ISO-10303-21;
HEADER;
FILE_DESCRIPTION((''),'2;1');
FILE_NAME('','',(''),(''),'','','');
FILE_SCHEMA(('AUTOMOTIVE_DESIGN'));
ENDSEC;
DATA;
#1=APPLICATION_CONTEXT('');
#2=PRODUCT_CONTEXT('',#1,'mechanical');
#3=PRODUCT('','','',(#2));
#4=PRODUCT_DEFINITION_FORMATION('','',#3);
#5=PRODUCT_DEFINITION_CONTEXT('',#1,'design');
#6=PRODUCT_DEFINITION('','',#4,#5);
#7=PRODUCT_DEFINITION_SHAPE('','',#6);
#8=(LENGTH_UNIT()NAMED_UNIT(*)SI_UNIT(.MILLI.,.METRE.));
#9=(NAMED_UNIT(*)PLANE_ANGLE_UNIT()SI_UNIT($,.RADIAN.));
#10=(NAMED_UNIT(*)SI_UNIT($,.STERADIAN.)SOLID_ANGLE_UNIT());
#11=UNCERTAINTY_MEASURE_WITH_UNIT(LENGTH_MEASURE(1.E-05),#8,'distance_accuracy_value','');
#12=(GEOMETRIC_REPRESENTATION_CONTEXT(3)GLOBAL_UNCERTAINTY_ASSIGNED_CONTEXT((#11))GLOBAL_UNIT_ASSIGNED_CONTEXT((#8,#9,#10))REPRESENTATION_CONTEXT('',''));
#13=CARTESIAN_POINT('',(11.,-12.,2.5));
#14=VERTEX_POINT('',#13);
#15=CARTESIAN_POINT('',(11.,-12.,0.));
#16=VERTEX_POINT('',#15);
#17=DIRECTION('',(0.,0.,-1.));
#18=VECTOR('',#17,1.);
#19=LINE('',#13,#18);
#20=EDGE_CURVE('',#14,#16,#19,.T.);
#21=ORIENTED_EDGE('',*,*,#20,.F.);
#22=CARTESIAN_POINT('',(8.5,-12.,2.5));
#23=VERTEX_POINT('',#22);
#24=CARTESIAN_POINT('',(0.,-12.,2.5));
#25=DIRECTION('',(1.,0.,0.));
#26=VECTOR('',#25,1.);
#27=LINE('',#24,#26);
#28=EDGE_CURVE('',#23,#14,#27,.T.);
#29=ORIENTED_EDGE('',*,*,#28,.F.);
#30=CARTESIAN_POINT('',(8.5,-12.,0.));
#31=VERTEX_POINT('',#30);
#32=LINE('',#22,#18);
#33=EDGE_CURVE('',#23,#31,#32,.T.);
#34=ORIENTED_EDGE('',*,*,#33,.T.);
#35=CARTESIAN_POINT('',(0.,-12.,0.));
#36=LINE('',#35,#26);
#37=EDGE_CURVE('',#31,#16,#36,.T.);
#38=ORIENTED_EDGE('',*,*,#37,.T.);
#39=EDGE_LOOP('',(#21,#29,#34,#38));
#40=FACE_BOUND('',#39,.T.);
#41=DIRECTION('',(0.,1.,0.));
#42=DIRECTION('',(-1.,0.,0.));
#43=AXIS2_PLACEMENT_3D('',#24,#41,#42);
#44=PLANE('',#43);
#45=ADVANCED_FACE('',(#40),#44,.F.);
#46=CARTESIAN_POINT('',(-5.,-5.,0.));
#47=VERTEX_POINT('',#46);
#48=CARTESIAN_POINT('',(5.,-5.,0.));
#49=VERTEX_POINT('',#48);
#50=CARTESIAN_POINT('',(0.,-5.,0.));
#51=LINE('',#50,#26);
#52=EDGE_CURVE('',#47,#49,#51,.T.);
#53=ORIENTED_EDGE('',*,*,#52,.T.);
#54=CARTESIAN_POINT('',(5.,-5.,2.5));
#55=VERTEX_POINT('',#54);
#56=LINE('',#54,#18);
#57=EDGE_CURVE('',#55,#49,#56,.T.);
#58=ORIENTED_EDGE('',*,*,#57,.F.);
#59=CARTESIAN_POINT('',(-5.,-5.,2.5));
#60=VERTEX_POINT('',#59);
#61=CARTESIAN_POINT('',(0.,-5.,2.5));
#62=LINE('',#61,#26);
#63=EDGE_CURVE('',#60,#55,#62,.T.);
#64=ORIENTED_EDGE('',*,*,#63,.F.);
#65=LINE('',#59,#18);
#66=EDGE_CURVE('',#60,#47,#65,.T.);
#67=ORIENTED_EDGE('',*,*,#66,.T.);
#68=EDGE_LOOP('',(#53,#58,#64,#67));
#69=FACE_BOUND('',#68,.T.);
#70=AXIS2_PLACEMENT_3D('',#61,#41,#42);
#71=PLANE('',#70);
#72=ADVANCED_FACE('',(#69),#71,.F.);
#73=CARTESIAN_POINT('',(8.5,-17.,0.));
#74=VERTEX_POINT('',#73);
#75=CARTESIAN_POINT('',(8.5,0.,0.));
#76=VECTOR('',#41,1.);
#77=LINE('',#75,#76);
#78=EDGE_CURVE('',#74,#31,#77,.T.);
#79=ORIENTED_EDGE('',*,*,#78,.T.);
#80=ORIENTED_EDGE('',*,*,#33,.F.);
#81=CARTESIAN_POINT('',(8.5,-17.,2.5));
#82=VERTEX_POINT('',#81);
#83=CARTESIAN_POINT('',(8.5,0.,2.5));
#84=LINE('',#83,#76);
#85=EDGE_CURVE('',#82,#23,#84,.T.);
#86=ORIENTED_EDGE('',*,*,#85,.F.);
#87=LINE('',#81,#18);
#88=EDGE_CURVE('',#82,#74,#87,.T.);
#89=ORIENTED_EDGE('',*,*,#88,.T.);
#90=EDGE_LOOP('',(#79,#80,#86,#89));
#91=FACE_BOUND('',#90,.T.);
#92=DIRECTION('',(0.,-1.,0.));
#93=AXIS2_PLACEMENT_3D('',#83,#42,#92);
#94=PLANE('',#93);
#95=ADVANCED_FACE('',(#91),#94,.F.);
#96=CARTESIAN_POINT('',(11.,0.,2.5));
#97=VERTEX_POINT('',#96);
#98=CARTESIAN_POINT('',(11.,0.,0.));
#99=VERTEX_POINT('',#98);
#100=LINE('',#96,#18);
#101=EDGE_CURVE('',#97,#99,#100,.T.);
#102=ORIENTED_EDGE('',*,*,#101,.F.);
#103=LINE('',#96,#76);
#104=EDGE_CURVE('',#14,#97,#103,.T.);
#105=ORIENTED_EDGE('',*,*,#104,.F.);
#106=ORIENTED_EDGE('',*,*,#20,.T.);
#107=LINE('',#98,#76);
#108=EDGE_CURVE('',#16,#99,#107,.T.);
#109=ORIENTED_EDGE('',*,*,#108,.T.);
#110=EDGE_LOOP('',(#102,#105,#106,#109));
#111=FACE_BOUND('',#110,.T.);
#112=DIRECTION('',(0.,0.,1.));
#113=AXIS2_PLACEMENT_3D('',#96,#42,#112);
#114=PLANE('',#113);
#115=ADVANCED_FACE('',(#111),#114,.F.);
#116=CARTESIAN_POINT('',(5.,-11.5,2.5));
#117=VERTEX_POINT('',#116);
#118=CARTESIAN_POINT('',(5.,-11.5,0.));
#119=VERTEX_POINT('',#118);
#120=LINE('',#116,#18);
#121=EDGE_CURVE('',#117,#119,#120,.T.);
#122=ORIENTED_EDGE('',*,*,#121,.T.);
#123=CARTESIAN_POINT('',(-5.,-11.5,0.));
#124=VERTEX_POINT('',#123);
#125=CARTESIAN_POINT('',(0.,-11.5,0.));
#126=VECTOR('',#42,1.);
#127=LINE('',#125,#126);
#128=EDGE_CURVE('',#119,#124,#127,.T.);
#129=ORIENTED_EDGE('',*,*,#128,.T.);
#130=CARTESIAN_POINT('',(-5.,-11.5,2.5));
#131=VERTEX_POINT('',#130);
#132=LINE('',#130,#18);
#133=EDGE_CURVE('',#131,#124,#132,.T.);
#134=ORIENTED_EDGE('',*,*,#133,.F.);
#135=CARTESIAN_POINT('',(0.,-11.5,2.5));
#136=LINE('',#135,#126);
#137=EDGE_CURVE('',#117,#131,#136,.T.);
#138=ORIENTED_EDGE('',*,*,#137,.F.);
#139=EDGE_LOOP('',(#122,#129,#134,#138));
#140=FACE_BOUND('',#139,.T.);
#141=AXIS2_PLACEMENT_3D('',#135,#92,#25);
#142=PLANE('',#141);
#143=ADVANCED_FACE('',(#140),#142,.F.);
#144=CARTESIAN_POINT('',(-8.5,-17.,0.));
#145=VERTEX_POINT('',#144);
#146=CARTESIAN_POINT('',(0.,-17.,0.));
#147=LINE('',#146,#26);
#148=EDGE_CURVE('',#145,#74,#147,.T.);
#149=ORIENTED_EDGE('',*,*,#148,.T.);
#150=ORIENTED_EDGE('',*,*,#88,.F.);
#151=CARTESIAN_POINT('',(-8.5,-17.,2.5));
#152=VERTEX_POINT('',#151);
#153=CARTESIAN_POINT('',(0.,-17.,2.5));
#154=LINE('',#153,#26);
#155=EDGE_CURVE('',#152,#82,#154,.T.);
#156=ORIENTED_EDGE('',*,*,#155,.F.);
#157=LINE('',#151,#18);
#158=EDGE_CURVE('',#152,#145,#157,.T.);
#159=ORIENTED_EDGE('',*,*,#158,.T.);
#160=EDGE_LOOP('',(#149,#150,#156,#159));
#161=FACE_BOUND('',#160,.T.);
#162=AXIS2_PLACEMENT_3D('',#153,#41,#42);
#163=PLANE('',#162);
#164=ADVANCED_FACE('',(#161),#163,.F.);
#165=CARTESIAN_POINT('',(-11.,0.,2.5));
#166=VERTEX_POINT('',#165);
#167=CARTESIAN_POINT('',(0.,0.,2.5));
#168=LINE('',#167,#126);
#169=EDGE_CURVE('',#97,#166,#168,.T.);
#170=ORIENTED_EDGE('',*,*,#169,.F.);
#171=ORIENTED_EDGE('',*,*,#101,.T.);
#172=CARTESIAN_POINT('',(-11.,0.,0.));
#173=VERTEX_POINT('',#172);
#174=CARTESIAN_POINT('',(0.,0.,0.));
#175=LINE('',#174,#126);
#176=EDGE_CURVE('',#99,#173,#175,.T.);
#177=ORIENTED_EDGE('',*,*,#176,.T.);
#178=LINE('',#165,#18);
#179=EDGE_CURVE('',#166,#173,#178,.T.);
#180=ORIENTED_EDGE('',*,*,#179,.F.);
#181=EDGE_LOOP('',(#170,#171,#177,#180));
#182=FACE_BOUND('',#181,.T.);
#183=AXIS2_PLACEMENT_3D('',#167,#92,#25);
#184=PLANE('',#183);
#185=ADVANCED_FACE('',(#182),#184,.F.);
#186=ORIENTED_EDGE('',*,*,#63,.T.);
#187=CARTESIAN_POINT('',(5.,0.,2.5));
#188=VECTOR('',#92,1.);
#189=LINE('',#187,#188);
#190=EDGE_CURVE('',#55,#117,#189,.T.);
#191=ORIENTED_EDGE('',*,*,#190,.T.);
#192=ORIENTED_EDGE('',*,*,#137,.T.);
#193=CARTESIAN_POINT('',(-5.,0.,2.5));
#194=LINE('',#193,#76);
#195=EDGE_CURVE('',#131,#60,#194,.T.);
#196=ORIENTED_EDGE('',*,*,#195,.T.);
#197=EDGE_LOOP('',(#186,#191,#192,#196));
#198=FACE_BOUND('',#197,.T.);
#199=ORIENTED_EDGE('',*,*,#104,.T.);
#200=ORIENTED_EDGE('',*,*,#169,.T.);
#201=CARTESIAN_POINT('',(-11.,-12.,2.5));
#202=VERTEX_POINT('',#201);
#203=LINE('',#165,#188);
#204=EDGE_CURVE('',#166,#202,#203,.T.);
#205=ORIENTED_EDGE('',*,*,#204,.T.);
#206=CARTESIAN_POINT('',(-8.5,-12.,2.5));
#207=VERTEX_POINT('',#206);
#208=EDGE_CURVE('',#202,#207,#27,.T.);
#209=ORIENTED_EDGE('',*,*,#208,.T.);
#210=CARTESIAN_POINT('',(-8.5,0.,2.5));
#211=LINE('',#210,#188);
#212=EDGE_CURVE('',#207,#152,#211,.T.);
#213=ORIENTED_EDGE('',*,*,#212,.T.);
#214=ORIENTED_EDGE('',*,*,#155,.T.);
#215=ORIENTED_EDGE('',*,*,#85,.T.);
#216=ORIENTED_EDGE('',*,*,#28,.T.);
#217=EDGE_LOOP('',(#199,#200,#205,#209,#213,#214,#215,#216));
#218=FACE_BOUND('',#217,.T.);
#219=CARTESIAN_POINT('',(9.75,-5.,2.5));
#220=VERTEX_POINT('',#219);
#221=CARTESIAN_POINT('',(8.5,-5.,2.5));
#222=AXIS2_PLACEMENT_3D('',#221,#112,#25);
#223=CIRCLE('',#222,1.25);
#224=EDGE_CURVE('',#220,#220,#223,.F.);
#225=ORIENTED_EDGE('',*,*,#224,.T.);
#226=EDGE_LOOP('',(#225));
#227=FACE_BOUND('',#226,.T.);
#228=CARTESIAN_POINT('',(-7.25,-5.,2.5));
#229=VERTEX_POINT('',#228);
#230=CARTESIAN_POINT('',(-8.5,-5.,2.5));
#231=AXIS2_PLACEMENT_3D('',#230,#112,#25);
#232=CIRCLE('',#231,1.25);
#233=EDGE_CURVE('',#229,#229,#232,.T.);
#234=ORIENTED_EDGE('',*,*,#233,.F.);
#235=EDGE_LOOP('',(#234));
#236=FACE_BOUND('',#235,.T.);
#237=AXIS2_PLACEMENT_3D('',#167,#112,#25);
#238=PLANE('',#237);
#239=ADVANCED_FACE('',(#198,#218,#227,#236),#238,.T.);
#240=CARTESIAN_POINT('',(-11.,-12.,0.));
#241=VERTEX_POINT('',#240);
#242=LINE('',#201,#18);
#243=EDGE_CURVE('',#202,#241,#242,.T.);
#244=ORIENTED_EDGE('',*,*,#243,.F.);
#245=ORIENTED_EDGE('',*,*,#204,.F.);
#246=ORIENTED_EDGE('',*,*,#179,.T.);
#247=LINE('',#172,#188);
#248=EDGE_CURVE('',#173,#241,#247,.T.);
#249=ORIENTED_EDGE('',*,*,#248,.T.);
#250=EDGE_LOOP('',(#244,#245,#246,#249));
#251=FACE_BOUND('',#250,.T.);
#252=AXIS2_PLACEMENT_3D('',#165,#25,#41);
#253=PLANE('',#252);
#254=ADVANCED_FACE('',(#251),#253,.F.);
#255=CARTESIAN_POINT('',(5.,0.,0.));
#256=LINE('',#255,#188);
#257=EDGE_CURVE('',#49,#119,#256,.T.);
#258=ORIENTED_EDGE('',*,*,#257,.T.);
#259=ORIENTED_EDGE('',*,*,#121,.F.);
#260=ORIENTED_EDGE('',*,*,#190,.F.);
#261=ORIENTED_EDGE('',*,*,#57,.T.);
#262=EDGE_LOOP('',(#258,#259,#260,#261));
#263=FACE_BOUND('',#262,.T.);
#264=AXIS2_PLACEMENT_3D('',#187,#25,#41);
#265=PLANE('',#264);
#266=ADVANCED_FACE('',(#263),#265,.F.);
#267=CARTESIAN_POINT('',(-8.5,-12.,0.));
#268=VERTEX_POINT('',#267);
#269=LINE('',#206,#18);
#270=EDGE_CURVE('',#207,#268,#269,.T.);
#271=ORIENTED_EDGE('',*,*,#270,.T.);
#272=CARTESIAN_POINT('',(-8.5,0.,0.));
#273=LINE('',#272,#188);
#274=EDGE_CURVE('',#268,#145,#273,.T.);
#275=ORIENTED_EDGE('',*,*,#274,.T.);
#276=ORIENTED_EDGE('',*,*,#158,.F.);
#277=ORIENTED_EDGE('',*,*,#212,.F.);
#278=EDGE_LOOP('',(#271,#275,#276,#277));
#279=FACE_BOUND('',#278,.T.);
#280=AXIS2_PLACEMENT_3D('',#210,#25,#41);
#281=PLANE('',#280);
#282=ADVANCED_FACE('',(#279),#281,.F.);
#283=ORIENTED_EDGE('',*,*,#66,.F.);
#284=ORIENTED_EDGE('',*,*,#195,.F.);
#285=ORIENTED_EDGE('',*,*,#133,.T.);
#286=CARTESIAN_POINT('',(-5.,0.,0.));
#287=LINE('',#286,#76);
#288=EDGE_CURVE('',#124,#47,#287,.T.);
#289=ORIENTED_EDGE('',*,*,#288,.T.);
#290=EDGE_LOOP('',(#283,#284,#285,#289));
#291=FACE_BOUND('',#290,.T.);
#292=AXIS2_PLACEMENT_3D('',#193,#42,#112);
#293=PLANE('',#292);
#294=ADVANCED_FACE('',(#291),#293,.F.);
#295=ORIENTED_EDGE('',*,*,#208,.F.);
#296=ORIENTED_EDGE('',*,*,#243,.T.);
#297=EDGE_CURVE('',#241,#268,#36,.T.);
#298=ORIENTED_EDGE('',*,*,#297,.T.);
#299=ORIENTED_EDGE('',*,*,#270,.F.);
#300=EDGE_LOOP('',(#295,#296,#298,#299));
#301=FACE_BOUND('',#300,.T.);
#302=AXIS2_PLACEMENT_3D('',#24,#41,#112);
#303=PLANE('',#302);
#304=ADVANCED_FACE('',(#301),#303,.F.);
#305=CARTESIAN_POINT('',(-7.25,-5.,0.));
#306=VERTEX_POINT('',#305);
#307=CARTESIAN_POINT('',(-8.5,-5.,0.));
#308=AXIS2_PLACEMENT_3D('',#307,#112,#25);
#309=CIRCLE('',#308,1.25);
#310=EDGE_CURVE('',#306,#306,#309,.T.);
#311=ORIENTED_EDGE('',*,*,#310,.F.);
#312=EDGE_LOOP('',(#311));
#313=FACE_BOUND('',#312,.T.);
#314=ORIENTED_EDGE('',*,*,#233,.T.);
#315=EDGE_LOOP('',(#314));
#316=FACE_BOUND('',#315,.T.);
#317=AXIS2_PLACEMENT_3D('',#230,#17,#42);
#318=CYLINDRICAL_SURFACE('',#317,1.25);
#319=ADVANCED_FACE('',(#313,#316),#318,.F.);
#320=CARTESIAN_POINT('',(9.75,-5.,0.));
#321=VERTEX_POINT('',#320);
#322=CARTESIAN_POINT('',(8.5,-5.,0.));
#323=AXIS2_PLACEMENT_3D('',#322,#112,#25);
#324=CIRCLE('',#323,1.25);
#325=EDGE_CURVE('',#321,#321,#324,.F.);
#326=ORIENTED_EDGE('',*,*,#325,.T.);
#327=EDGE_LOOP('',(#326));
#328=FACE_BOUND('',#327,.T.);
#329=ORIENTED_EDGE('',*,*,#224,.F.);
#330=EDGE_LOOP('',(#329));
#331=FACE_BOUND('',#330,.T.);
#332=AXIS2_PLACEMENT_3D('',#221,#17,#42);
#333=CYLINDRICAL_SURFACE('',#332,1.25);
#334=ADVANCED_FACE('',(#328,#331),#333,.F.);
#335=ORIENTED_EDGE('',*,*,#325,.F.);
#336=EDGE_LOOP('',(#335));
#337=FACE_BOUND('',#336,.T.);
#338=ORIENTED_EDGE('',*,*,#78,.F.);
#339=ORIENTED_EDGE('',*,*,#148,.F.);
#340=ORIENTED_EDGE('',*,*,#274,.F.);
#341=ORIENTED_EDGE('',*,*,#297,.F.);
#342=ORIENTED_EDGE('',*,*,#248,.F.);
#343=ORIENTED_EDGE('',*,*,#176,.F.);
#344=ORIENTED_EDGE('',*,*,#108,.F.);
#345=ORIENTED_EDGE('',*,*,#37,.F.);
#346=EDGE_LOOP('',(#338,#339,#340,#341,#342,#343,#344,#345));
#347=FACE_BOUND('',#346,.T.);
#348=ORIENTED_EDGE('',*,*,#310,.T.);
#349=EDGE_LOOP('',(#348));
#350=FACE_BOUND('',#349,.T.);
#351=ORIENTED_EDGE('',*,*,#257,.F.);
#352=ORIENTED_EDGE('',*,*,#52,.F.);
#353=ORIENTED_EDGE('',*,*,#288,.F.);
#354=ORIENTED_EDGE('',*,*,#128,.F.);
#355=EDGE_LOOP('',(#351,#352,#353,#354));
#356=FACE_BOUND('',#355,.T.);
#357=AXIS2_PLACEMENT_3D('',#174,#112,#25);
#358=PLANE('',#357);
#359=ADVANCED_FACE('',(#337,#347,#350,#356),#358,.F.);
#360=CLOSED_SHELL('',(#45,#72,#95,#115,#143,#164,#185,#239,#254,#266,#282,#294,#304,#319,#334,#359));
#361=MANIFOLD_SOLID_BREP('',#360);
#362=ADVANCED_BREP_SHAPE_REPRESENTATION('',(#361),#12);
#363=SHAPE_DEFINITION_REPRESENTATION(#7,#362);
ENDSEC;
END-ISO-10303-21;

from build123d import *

# Parameters (mm, degrees)
SKETCH1_R           = 1.25
SKETCH1_W           = 10
SKETCH1_H           = 6.5
BOSS_EXTRUDE1_DEPTH = 2.5


with BuildPart() as part:
    # Sketch1 → Boss-Extrude1 (new body)
    with BuildSketch(Plane.XY):
        Polygon((-8.5, -12), (-8.5, -17), (8.5, -17), (8.5, -12), (11, -12), (11, 0), (-11, 0), (-11, -12), align=None)
        with Locations((-8.5, -5)):
            Circle(SKETCH1_R, mode=Mode.SUBTRACT)
        with Locations((8.5, -5)):
            Circle(SKETCH1_R, mode=Mode.SUBTRACT)
        with Locations((0, -8.25)):
            Rectangle(SKETCH1_W, SKETCH1_H, mode=Mode.SUBTRACT)
    extrude(amount=BOSS_EXTRUDE1_DEPTH)


solid = part.part
